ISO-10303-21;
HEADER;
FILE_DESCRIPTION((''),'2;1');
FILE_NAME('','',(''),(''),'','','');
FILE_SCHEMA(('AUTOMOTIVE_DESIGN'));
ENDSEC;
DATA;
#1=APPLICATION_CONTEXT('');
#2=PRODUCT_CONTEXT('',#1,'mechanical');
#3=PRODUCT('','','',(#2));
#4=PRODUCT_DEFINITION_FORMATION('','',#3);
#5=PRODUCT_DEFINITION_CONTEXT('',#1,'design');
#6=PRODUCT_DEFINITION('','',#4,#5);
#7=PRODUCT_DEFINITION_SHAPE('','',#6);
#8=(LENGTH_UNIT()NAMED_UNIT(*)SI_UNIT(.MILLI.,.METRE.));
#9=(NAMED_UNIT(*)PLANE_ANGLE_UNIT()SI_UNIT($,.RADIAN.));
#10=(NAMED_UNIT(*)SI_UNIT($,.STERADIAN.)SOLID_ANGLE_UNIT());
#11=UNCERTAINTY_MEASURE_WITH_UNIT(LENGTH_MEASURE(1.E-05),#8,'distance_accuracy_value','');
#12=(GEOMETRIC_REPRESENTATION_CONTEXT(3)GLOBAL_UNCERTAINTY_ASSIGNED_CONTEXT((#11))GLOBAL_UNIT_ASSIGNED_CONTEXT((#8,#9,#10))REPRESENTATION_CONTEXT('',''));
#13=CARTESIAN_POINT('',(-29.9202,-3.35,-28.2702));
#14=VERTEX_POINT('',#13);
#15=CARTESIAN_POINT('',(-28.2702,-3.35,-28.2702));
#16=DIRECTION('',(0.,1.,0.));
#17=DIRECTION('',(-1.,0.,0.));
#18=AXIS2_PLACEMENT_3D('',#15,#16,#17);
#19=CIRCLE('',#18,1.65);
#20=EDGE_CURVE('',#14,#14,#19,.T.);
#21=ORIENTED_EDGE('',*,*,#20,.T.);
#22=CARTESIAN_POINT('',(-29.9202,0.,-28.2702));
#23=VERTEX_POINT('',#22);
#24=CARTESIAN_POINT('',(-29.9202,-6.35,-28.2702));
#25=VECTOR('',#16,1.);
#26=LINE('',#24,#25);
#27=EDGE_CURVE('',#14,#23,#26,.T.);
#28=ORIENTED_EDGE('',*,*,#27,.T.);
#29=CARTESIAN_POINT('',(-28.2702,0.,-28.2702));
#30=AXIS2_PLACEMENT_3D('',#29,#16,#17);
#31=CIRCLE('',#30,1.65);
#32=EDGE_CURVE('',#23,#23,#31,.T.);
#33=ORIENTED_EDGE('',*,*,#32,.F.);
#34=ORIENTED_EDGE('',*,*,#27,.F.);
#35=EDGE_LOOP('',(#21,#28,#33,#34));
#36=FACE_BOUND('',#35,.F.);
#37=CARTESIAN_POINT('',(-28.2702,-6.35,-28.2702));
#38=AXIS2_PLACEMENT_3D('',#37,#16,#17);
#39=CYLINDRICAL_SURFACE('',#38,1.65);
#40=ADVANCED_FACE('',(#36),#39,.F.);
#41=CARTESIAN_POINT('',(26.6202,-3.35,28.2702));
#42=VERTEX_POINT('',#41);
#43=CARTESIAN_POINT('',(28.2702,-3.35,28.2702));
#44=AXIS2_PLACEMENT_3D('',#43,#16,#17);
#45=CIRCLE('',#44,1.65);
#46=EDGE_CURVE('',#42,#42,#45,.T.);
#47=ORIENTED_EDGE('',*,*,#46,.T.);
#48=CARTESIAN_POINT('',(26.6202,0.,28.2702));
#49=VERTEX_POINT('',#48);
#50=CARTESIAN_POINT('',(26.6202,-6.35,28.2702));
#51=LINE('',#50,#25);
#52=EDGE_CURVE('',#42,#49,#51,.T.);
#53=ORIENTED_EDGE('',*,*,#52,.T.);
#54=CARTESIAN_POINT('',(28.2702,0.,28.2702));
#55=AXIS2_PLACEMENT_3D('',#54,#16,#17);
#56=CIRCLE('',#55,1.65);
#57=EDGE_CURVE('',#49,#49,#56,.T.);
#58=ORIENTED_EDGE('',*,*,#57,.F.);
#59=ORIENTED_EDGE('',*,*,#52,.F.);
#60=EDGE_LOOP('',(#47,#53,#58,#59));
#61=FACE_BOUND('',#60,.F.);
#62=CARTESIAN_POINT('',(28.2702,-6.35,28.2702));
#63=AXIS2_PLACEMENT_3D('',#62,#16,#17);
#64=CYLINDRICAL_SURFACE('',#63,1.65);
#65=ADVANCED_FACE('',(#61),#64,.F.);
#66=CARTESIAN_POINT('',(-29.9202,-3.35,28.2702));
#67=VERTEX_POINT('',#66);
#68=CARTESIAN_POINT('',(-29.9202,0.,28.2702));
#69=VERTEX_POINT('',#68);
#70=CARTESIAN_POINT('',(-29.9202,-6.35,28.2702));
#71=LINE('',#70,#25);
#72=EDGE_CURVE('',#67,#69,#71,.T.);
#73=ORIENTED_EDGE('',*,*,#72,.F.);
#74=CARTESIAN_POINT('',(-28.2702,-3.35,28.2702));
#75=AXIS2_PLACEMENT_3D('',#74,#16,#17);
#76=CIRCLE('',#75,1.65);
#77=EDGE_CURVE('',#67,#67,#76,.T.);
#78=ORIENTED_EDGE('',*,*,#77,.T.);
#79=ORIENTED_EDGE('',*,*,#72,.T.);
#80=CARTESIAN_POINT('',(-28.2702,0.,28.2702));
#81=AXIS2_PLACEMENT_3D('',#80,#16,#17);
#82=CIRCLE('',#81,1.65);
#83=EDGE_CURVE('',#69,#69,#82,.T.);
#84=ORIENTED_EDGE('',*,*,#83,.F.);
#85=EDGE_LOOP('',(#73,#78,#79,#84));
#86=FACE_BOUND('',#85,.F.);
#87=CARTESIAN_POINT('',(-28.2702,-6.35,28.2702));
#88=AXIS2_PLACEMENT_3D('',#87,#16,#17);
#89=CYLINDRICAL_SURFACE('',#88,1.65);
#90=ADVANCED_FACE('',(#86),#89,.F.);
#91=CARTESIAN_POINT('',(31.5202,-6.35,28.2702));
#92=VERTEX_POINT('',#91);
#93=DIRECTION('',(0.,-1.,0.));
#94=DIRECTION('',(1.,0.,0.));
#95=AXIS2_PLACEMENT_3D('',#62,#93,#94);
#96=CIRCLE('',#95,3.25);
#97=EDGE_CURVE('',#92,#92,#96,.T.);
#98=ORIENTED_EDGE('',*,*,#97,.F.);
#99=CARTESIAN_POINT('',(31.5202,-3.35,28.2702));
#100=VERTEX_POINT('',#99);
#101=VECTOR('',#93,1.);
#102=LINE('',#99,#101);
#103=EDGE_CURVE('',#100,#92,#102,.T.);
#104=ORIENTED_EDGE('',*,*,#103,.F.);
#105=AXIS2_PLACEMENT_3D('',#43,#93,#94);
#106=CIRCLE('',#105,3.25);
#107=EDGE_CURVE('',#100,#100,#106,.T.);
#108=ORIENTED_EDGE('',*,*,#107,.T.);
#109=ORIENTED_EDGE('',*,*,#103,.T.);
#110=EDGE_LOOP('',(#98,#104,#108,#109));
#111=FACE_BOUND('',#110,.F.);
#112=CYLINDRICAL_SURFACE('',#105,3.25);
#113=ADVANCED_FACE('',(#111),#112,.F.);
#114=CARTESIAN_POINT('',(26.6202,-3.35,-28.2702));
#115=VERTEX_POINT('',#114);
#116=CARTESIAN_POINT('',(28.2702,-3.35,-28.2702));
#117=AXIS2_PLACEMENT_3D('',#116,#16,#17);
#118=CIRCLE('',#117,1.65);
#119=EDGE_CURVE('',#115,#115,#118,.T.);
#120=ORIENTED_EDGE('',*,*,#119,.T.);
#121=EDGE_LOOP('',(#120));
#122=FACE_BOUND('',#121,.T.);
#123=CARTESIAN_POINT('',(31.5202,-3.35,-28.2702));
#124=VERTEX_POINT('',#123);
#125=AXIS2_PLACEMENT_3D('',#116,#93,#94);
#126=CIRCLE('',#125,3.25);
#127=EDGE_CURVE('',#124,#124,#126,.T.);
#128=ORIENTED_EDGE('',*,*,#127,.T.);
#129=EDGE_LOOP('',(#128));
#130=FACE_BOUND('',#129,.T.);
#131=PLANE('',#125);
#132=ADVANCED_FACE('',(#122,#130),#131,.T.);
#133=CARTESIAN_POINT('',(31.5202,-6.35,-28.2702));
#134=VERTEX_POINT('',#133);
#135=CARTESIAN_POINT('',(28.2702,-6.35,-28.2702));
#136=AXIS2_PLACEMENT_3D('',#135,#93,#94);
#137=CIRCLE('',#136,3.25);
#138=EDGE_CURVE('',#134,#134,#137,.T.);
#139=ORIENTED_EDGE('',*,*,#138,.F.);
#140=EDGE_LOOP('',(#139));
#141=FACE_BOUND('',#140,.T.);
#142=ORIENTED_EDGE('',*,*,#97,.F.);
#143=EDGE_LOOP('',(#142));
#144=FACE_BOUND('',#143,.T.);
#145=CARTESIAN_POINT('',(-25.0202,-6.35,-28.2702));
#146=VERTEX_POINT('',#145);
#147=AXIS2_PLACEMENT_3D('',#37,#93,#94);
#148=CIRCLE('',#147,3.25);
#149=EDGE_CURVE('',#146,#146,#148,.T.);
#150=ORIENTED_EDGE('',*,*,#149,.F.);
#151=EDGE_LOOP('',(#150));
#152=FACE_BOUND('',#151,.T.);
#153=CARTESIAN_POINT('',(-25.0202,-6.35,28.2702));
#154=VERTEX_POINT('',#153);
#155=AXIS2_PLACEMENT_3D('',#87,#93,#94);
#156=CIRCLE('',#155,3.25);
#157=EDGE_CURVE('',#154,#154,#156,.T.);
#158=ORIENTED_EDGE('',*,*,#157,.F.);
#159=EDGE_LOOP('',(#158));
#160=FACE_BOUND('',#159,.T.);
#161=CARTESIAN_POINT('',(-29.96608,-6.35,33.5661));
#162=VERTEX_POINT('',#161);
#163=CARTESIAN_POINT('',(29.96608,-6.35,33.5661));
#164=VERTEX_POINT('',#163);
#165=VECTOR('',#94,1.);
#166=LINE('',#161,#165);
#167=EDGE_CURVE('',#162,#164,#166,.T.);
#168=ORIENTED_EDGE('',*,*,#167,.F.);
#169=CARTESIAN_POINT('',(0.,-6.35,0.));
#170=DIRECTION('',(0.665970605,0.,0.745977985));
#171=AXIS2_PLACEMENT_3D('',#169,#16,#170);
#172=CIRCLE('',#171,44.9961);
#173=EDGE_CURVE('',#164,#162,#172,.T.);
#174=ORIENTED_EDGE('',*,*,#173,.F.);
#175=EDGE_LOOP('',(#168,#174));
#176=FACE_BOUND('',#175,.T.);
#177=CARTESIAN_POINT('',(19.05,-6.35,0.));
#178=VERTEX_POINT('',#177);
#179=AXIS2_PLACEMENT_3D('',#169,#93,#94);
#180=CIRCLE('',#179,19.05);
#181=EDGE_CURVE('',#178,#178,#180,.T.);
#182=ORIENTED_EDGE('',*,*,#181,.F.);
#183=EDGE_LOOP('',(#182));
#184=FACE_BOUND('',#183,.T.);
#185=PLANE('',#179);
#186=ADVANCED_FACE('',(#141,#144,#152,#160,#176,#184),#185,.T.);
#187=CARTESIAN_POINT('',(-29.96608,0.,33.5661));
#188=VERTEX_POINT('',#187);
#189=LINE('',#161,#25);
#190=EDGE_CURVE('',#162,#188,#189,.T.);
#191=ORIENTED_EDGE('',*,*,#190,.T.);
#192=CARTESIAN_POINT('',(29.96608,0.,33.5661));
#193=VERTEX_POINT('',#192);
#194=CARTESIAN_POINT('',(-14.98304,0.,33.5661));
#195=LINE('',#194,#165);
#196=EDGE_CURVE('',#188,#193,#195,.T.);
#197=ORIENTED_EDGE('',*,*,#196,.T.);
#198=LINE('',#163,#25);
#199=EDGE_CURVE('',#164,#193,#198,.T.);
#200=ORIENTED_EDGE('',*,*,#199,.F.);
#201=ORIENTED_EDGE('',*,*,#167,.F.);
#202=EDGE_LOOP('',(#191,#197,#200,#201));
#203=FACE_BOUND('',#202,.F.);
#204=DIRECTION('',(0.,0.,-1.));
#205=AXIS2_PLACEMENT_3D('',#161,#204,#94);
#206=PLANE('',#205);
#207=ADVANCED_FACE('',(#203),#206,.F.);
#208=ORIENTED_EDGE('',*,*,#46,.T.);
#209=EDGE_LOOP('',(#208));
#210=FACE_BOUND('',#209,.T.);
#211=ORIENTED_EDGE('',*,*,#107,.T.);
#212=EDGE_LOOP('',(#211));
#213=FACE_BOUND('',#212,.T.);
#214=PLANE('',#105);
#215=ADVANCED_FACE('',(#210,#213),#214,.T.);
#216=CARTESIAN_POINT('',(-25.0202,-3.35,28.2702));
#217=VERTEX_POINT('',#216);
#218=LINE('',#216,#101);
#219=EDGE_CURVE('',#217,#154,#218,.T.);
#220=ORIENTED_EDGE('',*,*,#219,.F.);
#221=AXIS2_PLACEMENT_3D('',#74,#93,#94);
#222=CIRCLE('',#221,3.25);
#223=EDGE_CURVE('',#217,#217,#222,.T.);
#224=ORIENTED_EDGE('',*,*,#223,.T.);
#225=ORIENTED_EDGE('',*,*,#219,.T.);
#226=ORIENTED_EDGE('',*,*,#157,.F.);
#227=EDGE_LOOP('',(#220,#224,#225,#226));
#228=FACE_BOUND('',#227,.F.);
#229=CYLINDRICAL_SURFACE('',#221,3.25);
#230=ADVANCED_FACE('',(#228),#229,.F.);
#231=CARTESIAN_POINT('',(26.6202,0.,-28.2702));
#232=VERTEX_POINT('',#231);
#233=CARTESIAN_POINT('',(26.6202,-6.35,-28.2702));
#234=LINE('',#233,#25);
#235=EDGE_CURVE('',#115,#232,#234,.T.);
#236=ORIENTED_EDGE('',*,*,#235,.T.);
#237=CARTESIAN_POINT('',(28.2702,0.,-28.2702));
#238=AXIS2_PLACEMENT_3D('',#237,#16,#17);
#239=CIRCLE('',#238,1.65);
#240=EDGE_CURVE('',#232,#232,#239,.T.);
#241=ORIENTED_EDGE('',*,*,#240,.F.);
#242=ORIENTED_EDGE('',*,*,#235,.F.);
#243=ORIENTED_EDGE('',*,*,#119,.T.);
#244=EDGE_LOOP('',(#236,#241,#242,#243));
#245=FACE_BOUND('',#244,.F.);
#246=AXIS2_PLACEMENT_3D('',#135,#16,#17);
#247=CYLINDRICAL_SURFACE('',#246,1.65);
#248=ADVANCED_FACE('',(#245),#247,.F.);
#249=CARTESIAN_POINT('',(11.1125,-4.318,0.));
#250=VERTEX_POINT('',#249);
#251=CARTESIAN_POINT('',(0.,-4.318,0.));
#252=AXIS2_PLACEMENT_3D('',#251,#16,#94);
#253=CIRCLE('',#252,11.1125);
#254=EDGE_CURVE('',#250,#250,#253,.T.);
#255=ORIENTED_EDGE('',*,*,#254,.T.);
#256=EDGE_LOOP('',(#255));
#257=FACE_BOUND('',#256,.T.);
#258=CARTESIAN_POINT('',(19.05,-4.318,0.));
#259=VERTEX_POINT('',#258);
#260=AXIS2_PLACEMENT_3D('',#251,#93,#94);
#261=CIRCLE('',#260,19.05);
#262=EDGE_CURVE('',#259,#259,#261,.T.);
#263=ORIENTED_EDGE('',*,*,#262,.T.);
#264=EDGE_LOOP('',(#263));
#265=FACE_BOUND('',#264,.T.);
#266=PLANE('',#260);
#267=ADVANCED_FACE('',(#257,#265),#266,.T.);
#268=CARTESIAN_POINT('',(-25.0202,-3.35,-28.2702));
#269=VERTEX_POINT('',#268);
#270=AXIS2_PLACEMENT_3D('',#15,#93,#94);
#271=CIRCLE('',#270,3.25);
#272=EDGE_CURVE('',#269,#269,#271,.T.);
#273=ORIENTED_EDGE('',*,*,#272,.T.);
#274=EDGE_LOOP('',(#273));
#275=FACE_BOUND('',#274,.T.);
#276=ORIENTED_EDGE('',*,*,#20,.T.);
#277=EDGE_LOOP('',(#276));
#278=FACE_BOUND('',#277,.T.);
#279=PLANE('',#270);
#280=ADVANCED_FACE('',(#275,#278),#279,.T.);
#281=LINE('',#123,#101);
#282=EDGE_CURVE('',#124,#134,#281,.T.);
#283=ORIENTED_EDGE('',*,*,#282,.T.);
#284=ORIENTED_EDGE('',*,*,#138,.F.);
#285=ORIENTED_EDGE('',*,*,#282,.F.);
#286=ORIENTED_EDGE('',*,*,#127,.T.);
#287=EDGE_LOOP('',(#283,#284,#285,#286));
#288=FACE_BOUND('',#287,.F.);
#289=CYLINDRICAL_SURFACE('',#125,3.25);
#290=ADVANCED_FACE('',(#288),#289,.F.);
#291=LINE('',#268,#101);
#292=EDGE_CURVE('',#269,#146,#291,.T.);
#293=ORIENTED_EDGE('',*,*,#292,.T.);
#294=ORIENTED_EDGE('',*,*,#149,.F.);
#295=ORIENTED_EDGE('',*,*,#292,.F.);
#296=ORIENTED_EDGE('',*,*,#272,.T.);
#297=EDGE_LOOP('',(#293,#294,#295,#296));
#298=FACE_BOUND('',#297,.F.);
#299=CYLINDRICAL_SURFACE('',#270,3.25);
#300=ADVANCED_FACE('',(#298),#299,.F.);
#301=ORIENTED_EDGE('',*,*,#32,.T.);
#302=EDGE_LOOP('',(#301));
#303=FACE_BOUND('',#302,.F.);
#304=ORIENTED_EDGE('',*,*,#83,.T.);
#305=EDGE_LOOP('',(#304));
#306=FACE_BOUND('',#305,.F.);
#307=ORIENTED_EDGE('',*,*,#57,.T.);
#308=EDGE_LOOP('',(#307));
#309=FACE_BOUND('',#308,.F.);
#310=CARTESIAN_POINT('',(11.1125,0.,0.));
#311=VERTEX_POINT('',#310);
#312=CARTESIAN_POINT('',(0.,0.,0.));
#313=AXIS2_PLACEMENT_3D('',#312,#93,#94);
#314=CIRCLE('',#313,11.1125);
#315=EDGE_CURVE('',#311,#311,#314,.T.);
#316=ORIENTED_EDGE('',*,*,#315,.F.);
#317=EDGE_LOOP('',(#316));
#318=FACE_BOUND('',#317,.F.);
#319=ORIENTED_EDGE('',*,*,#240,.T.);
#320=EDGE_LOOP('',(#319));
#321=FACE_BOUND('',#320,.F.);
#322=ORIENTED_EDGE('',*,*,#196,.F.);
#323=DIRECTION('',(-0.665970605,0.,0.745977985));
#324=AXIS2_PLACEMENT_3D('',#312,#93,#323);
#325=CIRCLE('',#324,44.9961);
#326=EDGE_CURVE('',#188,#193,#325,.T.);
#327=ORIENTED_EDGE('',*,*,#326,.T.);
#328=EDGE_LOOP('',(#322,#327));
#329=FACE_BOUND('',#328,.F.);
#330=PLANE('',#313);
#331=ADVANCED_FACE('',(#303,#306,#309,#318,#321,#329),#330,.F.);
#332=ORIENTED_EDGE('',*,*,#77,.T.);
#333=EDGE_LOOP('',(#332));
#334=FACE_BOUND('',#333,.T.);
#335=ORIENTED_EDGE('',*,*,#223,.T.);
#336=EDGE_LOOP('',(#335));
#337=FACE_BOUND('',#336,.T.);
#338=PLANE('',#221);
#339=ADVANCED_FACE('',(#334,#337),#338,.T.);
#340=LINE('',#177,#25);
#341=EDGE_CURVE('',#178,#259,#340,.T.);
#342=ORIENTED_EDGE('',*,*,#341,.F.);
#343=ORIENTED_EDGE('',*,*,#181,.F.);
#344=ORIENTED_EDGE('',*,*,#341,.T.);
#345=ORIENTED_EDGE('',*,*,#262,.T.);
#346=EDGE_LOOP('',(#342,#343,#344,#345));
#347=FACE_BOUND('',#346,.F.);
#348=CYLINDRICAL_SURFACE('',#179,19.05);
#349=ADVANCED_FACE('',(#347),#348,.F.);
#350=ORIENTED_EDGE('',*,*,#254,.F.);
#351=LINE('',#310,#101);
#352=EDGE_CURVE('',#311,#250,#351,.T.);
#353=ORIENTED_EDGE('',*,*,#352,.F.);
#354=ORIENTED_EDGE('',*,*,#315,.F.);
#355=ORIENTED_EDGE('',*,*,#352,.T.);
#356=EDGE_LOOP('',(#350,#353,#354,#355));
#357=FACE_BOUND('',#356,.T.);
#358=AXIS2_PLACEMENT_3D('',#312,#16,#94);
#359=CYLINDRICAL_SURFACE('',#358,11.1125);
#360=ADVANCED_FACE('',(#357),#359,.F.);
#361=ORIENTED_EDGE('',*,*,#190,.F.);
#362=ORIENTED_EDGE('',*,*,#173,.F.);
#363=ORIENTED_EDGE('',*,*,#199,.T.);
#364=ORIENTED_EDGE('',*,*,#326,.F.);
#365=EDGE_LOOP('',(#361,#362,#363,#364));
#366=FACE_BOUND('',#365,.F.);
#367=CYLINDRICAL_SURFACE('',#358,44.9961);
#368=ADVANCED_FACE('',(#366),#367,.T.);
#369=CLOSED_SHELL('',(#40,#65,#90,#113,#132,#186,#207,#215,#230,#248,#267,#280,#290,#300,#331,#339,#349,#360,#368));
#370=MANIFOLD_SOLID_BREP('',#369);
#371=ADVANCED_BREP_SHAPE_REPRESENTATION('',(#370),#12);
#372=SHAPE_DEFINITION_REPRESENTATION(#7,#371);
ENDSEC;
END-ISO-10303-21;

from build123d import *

# Parameters (mm, degrees)
F0_R           = 44.9961
F0_R_2         = 11.1125
F1_DEPTH       = 6.35
F2_R           = 19.05
F3_DEPTH       = 2.032
F5_D           = 3.3
F5_CBORE_D     = 6.5
F5_CBORE_DEPTH = 3
F7_DEPTH       = 25.4


with BuildPart() as f1:
    # F0 (on Front) → F1 (new body)
    with BuildSketch(Plane.XZ):
        Circle(F0_R)
        Circle(F0_R_2, mode=Mode.SUBTRACT)
    extrude(amount=F1_DEPTH)

    # F2 (on face) → F3 (cut)
    with BuildSketch(Plane.XZ.offset(6.35)):
        Circle(F2_R)
    extrude(amount=-F3_DEPTH, mode=Mode.SUBTRACT)

    # F5 (through all)
    with Locations(Plane.XZ.offset(6.35)):
        with Locations((-28.2702, 28.2702), (28.2702, 28.2702), (28.2702, -28.2702), (-28.2702, -28.2702)):
            CounterBoreHole(F5_D / 2, F5_CBORE_D / 2, F5_CBORE_DEPTH)

    # F6 (on face) → F7 (cut)
    with BuildSketch(Plane.XZ.offset(6.35)):
        with BuildLine():
            ThreePointArc((29.9660799238, 33.5661), (0, 44.9961), (-29.9660799238, 33.5661))
            Line((-29.9660799238, 33.5661), (29.9660799238, 33.5661))
        make_face()
    extrude(amount=-F7_DEPTH, mode=Mode.SUBTRACT)


solid = f1.part
